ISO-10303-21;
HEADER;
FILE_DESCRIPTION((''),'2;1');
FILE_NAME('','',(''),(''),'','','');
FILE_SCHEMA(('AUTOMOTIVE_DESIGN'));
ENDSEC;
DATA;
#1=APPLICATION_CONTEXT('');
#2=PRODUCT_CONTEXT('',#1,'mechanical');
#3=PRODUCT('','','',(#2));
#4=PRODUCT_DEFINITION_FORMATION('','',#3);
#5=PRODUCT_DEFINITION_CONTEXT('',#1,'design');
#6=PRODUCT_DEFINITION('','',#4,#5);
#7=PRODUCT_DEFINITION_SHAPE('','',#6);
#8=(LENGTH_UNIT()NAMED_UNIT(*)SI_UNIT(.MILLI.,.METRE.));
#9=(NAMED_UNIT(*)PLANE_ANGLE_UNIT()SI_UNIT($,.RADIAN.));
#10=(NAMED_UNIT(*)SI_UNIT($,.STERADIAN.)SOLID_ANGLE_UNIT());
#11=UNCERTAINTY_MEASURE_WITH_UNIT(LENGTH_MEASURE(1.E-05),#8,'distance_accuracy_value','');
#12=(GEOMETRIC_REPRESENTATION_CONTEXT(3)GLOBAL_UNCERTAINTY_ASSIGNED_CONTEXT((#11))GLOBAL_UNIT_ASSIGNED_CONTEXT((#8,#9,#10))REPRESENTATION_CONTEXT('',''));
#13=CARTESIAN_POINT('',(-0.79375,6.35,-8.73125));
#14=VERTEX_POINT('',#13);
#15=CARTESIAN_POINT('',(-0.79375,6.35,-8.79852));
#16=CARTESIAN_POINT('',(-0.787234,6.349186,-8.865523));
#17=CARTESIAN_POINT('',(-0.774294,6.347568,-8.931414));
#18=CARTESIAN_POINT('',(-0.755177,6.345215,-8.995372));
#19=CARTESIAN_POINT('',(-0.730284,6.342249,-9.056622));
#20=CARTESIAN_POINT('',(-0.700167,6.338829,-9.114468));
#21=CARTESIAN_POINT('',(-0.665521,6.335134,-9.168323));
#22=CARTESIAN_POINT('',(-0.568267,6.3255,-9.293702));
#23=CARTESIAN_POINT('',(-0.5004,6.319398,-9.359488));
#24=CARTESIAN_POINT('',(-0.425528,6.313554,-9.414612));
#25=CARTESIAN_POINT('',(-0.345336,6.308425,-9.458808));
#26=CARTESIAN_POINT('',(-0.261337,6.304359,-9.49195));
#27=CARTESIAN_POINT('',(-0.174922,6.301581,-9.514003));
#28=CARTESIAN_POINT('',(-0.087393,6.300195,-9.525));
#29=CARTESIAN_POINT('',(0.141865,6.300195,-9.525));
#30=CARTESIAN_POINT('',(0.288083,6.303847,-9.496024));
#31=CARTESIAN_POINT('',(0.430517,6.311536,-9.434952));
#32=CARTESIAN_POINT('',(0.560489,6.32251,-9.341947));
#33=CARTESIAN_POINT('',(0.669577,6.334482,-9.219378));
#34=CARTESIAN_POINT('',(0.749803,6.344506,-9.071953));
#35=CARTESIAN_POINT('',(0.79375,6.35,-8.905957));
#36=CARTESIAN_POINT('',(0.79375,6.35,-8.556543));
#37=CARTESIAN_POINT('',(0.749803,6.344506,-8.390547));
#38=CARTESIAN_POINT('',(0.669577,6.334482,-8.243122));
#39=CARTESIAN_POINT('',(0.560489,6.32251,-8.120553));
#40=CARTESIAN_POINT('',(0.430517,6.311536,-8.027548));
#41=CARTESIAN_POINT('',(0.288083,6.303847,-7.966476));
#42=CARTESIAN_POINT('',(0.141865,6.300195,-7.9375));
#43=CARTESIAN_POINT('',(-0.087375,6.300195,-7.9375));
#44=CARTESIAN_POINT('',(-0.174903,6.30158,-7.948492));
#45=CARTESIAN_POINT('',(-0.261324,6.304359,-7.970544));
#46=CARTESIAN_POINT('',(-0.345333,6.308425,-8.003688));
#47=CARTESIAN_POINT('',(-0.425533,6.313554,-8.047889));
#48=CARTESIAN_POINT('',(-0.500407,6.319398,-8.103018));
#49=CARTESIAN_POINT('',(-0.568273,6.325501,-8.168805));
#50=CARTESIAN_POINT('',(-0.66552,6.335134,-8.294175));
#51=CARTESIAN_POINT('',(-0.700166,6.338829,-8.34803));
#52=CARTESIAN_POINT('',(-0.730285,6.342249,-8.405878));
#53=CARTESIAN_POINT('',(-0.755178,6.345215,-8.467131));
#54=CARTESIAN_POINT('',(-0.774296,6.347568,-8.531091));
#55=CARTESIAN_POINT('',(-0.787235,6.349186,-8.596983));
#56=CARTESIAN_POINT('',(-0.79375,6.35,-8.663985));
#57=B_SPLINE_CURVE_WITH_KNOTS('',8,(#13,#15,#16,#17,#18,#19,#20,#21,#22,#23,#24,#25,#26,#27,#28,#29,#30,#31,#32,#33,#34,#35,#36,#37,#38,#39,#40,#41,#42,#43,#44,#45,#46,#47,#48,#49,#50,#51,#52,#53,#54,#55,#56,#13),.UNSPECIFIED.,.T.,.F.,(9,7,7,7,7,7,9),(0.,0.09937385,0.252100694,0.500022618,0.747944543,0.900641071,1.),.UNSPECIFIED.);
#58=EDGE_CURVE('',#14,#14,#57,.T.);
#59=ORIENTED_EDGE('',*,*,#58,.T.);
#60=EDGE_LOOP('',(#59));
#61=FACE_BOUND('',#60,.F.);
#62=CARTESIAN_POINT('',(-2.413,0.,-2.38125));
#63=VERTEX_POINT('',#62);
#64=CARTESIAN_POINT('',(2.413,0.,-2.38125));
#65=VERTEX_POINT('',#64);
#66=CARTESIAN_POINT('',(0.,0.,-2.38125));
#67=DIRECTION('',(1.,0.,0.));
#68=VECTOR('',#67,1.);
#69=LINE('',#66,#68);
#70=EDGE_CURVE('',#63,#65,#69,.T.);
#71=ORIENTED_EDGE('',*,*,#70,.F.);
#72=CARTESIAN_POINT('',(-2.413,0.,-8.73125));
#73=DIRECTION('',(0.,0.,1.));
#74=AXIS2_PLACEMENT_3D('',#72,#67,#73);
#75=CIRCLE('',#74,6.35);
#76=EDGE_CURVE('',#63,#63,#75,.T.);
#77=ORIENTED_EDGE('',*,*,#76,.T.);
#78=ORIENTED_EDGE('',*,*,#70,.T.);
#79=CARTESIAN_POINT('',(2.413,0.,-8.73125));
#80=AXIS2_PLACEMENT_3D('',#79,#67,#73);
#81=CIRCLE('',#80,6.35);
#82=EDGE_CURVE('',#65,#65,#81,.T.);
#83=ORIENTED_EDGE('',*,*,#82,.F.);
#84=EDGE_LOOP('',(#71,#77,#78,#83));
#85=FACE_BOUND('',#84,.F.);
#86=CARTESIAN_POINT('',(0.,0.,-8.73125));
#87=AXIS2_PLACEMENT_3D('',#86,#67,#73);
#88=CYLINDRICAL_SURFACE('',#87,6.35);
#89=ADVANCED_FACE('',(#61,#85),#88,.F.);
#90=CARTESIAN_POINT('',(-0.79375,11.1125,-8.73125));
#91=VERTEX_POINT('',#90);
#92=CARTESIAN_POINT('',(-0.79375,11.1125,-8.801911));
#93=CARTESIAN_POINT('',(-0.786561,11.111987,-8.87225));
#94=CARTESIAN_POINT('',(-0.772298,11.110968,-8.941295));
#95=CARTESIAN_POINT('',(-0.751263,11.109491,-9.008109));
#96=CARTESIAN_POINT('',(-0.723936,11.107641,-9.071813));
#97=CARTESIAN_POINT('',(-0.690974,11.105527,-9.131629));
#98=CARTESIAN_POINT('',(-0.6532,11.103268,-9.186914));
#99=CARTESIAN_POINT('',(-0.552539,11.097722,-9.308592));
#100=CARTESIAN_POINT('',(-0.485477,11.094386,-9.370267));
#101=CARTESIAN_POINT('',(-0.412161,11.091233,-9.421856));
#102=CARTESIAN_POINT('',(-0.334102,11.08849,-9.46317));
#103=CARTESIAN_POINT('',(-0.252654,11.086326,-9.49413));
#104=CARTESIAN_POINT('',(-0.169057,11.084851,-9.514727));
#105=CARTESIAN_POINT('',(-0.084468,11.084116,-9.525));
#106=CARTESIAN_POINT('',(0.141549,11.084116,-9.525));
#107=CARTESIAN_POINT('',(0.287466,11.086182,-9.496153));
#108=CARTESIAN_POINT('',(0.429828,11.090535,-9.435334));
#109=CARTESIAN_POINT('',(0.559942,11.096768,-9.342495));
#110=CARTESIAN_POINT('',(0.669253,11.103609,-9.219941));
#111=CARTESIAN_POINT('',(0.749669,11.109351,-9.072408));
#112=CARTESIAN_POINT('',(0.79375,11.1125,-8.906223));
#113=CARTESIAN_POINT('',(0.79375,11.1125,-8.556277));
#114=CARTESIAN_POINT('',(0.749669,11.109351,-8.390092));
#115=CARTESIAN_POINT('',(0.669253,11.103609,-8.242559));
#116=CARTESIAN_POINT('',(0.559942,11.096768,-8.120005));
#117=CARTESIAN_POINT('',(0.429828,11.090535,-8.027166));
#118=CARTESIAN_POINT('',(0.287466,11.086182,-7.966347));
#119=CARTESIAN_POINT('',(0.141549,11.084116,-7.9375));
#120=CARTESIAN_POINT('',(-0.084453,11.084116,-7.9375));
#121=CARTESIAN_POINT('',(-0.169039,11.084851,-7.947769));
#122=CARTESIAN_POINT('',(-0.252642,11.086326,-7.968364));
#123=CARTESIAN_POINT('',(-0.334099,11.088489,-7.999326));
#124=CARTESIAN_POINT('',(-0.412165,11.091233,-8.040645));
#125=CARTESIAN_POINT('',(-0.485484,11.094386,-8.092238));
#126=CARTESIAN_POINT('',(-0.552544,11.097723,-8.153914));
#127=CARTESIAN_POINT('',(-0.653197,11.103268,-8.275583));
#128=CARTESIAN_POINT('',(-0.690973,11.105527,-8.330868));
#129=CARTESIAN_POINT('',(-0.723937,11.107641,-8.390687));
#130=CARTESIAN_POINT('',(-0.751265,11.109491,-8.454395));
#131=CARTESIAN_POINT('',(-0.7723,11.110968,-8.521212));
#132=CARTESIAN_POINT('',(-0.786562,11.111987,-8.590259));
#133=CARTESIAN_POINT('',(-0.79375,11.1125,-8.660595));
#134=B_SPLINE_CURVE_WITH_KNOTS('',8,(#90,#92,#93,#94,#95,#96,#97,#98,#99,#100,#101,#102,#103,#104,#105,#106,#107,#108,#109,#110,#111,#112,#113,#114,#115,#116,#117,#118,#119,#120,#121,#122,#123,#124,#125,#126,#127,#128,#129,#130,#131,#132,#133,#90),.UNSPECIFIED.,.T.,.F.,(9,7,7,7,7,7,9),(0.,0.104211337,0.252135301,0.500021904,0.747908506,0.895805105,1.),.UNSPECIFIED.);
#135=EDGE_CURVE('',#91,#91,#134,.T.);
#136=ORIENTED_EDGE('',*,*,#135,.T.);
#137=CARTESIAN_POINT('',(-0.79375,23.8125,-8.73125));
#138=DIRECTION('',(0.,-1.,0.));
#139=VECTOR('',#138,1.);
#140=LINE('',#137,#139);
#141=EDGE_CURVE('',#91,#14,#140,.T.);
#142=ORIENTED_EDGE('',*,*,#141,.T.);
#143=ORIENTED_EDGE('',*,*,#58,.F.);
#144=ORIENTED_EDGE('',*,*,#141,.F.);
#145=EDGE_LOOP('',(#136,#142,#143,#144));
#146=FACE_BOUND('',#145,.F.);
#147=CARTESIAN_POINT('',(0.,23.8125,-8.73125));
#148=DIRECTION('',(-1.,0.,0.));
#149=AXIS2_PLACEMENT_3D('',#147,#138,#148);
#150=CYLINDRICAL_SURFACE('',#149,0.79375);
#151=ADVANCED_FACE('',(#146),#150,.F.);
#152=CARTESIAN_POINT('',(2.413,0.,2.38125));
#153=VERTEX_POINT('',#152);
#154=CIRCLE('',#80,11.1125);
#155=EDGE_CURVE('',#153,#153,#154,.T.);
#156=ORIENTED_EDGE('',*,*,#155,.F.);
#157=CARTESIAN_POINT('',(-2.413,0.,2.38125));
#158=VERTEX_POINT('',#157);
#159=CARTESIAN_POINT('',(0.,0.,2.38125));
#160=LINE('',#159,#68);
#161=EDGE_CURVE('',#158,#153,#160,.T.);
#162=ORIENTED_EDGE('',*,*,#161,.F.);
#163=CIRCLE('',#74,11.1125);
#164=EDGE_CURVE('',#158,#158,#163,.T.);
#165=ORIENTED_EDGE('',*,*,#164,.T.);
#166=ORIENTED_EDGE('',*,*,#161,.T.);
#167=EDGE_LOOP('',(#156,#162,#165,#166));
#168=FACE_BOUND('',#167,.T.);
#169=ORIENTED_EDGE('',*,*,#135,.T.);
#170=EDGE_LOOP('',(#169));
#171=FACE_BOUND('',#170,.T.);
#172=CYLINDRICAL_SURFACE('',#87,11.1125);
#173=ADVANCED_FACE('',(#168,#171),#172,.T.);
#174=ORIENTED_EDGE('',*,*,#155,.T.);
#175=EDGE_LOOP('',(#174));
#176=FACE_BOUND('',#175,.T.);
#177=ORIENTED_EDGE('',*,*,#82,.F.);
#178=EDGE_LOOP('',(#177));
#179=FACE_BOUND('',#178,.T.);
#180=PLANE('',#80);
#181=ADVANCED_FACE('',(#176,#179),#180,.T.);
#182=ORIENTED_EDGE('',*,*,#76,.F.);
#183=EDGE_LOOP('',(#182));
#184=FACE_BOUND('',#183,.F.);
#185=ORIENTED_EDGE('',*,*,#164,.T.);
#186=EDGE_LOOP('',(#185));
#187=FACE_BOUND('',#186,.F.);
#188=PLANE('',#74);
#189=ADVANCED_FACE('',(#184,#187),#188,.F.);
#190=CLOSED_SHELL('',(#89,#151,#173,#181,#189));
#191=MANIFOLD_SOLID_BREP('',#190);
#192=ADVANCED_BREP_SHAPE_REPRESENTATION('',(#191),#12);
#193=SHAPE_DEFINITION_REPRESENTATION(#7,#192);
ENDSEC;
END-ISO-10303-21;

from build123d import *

# Parameters (mm, degrees)
SKETCH1_W                          = 4.826
SKETCH1_H                          = 4.7625
F_1_16_0_0625_DIAMETER_HOLE1_D     = 1.5875
F_1_16_0_0625_DIAMETER_HOLE1_DEPTH = 12.7
F_1_16_0_0625_DIAMETER_HOLE1_TIP   = 0.476933116


with BuildPart() as part:
    # Sketch1 → Revolve1 (revolve)
    with BuildSketch(Plane(origin=(0, 0, 0), x_dir=(1, 0, 0), z_dir=(0, 1, 0))):
        Rectangle(SKETCH1_W, SKETCH1_H)
    revolve(axis=Axis((-13.511198198, 0, -8.73125), (1, 0, 0)))

    # 1/16 (0.0625) Diameter Hole1
    with Locations(Plane(origin=(0, 11.1125, 0), x_dir=(1, 0, 0), z_dir=(0, 1, 0))):
        with Locations((0, 8.73125)):
            Hole(F_1_16_0_0625_DIAMETER_HOLE1_D / 2, depth=F_1_16_0_0625_DIAMETER_HOLE1_DEPTH)
            with Locations((0, 0, -(F_1_16_0_0625_DIAMETER_HOLE1_DEPTH + F_1_16_0_0625_DIAMETER_HOLE1_TIP / 2))):  # 118° drill point
                Cone(0, F_1_16_0_0625_DIAMETER_HOLE1_D / 2, F_1_16_0_0625_DIAMETER_HOLE1_TIP, mode=Mode.SUBTRACT)


solid = part.part
